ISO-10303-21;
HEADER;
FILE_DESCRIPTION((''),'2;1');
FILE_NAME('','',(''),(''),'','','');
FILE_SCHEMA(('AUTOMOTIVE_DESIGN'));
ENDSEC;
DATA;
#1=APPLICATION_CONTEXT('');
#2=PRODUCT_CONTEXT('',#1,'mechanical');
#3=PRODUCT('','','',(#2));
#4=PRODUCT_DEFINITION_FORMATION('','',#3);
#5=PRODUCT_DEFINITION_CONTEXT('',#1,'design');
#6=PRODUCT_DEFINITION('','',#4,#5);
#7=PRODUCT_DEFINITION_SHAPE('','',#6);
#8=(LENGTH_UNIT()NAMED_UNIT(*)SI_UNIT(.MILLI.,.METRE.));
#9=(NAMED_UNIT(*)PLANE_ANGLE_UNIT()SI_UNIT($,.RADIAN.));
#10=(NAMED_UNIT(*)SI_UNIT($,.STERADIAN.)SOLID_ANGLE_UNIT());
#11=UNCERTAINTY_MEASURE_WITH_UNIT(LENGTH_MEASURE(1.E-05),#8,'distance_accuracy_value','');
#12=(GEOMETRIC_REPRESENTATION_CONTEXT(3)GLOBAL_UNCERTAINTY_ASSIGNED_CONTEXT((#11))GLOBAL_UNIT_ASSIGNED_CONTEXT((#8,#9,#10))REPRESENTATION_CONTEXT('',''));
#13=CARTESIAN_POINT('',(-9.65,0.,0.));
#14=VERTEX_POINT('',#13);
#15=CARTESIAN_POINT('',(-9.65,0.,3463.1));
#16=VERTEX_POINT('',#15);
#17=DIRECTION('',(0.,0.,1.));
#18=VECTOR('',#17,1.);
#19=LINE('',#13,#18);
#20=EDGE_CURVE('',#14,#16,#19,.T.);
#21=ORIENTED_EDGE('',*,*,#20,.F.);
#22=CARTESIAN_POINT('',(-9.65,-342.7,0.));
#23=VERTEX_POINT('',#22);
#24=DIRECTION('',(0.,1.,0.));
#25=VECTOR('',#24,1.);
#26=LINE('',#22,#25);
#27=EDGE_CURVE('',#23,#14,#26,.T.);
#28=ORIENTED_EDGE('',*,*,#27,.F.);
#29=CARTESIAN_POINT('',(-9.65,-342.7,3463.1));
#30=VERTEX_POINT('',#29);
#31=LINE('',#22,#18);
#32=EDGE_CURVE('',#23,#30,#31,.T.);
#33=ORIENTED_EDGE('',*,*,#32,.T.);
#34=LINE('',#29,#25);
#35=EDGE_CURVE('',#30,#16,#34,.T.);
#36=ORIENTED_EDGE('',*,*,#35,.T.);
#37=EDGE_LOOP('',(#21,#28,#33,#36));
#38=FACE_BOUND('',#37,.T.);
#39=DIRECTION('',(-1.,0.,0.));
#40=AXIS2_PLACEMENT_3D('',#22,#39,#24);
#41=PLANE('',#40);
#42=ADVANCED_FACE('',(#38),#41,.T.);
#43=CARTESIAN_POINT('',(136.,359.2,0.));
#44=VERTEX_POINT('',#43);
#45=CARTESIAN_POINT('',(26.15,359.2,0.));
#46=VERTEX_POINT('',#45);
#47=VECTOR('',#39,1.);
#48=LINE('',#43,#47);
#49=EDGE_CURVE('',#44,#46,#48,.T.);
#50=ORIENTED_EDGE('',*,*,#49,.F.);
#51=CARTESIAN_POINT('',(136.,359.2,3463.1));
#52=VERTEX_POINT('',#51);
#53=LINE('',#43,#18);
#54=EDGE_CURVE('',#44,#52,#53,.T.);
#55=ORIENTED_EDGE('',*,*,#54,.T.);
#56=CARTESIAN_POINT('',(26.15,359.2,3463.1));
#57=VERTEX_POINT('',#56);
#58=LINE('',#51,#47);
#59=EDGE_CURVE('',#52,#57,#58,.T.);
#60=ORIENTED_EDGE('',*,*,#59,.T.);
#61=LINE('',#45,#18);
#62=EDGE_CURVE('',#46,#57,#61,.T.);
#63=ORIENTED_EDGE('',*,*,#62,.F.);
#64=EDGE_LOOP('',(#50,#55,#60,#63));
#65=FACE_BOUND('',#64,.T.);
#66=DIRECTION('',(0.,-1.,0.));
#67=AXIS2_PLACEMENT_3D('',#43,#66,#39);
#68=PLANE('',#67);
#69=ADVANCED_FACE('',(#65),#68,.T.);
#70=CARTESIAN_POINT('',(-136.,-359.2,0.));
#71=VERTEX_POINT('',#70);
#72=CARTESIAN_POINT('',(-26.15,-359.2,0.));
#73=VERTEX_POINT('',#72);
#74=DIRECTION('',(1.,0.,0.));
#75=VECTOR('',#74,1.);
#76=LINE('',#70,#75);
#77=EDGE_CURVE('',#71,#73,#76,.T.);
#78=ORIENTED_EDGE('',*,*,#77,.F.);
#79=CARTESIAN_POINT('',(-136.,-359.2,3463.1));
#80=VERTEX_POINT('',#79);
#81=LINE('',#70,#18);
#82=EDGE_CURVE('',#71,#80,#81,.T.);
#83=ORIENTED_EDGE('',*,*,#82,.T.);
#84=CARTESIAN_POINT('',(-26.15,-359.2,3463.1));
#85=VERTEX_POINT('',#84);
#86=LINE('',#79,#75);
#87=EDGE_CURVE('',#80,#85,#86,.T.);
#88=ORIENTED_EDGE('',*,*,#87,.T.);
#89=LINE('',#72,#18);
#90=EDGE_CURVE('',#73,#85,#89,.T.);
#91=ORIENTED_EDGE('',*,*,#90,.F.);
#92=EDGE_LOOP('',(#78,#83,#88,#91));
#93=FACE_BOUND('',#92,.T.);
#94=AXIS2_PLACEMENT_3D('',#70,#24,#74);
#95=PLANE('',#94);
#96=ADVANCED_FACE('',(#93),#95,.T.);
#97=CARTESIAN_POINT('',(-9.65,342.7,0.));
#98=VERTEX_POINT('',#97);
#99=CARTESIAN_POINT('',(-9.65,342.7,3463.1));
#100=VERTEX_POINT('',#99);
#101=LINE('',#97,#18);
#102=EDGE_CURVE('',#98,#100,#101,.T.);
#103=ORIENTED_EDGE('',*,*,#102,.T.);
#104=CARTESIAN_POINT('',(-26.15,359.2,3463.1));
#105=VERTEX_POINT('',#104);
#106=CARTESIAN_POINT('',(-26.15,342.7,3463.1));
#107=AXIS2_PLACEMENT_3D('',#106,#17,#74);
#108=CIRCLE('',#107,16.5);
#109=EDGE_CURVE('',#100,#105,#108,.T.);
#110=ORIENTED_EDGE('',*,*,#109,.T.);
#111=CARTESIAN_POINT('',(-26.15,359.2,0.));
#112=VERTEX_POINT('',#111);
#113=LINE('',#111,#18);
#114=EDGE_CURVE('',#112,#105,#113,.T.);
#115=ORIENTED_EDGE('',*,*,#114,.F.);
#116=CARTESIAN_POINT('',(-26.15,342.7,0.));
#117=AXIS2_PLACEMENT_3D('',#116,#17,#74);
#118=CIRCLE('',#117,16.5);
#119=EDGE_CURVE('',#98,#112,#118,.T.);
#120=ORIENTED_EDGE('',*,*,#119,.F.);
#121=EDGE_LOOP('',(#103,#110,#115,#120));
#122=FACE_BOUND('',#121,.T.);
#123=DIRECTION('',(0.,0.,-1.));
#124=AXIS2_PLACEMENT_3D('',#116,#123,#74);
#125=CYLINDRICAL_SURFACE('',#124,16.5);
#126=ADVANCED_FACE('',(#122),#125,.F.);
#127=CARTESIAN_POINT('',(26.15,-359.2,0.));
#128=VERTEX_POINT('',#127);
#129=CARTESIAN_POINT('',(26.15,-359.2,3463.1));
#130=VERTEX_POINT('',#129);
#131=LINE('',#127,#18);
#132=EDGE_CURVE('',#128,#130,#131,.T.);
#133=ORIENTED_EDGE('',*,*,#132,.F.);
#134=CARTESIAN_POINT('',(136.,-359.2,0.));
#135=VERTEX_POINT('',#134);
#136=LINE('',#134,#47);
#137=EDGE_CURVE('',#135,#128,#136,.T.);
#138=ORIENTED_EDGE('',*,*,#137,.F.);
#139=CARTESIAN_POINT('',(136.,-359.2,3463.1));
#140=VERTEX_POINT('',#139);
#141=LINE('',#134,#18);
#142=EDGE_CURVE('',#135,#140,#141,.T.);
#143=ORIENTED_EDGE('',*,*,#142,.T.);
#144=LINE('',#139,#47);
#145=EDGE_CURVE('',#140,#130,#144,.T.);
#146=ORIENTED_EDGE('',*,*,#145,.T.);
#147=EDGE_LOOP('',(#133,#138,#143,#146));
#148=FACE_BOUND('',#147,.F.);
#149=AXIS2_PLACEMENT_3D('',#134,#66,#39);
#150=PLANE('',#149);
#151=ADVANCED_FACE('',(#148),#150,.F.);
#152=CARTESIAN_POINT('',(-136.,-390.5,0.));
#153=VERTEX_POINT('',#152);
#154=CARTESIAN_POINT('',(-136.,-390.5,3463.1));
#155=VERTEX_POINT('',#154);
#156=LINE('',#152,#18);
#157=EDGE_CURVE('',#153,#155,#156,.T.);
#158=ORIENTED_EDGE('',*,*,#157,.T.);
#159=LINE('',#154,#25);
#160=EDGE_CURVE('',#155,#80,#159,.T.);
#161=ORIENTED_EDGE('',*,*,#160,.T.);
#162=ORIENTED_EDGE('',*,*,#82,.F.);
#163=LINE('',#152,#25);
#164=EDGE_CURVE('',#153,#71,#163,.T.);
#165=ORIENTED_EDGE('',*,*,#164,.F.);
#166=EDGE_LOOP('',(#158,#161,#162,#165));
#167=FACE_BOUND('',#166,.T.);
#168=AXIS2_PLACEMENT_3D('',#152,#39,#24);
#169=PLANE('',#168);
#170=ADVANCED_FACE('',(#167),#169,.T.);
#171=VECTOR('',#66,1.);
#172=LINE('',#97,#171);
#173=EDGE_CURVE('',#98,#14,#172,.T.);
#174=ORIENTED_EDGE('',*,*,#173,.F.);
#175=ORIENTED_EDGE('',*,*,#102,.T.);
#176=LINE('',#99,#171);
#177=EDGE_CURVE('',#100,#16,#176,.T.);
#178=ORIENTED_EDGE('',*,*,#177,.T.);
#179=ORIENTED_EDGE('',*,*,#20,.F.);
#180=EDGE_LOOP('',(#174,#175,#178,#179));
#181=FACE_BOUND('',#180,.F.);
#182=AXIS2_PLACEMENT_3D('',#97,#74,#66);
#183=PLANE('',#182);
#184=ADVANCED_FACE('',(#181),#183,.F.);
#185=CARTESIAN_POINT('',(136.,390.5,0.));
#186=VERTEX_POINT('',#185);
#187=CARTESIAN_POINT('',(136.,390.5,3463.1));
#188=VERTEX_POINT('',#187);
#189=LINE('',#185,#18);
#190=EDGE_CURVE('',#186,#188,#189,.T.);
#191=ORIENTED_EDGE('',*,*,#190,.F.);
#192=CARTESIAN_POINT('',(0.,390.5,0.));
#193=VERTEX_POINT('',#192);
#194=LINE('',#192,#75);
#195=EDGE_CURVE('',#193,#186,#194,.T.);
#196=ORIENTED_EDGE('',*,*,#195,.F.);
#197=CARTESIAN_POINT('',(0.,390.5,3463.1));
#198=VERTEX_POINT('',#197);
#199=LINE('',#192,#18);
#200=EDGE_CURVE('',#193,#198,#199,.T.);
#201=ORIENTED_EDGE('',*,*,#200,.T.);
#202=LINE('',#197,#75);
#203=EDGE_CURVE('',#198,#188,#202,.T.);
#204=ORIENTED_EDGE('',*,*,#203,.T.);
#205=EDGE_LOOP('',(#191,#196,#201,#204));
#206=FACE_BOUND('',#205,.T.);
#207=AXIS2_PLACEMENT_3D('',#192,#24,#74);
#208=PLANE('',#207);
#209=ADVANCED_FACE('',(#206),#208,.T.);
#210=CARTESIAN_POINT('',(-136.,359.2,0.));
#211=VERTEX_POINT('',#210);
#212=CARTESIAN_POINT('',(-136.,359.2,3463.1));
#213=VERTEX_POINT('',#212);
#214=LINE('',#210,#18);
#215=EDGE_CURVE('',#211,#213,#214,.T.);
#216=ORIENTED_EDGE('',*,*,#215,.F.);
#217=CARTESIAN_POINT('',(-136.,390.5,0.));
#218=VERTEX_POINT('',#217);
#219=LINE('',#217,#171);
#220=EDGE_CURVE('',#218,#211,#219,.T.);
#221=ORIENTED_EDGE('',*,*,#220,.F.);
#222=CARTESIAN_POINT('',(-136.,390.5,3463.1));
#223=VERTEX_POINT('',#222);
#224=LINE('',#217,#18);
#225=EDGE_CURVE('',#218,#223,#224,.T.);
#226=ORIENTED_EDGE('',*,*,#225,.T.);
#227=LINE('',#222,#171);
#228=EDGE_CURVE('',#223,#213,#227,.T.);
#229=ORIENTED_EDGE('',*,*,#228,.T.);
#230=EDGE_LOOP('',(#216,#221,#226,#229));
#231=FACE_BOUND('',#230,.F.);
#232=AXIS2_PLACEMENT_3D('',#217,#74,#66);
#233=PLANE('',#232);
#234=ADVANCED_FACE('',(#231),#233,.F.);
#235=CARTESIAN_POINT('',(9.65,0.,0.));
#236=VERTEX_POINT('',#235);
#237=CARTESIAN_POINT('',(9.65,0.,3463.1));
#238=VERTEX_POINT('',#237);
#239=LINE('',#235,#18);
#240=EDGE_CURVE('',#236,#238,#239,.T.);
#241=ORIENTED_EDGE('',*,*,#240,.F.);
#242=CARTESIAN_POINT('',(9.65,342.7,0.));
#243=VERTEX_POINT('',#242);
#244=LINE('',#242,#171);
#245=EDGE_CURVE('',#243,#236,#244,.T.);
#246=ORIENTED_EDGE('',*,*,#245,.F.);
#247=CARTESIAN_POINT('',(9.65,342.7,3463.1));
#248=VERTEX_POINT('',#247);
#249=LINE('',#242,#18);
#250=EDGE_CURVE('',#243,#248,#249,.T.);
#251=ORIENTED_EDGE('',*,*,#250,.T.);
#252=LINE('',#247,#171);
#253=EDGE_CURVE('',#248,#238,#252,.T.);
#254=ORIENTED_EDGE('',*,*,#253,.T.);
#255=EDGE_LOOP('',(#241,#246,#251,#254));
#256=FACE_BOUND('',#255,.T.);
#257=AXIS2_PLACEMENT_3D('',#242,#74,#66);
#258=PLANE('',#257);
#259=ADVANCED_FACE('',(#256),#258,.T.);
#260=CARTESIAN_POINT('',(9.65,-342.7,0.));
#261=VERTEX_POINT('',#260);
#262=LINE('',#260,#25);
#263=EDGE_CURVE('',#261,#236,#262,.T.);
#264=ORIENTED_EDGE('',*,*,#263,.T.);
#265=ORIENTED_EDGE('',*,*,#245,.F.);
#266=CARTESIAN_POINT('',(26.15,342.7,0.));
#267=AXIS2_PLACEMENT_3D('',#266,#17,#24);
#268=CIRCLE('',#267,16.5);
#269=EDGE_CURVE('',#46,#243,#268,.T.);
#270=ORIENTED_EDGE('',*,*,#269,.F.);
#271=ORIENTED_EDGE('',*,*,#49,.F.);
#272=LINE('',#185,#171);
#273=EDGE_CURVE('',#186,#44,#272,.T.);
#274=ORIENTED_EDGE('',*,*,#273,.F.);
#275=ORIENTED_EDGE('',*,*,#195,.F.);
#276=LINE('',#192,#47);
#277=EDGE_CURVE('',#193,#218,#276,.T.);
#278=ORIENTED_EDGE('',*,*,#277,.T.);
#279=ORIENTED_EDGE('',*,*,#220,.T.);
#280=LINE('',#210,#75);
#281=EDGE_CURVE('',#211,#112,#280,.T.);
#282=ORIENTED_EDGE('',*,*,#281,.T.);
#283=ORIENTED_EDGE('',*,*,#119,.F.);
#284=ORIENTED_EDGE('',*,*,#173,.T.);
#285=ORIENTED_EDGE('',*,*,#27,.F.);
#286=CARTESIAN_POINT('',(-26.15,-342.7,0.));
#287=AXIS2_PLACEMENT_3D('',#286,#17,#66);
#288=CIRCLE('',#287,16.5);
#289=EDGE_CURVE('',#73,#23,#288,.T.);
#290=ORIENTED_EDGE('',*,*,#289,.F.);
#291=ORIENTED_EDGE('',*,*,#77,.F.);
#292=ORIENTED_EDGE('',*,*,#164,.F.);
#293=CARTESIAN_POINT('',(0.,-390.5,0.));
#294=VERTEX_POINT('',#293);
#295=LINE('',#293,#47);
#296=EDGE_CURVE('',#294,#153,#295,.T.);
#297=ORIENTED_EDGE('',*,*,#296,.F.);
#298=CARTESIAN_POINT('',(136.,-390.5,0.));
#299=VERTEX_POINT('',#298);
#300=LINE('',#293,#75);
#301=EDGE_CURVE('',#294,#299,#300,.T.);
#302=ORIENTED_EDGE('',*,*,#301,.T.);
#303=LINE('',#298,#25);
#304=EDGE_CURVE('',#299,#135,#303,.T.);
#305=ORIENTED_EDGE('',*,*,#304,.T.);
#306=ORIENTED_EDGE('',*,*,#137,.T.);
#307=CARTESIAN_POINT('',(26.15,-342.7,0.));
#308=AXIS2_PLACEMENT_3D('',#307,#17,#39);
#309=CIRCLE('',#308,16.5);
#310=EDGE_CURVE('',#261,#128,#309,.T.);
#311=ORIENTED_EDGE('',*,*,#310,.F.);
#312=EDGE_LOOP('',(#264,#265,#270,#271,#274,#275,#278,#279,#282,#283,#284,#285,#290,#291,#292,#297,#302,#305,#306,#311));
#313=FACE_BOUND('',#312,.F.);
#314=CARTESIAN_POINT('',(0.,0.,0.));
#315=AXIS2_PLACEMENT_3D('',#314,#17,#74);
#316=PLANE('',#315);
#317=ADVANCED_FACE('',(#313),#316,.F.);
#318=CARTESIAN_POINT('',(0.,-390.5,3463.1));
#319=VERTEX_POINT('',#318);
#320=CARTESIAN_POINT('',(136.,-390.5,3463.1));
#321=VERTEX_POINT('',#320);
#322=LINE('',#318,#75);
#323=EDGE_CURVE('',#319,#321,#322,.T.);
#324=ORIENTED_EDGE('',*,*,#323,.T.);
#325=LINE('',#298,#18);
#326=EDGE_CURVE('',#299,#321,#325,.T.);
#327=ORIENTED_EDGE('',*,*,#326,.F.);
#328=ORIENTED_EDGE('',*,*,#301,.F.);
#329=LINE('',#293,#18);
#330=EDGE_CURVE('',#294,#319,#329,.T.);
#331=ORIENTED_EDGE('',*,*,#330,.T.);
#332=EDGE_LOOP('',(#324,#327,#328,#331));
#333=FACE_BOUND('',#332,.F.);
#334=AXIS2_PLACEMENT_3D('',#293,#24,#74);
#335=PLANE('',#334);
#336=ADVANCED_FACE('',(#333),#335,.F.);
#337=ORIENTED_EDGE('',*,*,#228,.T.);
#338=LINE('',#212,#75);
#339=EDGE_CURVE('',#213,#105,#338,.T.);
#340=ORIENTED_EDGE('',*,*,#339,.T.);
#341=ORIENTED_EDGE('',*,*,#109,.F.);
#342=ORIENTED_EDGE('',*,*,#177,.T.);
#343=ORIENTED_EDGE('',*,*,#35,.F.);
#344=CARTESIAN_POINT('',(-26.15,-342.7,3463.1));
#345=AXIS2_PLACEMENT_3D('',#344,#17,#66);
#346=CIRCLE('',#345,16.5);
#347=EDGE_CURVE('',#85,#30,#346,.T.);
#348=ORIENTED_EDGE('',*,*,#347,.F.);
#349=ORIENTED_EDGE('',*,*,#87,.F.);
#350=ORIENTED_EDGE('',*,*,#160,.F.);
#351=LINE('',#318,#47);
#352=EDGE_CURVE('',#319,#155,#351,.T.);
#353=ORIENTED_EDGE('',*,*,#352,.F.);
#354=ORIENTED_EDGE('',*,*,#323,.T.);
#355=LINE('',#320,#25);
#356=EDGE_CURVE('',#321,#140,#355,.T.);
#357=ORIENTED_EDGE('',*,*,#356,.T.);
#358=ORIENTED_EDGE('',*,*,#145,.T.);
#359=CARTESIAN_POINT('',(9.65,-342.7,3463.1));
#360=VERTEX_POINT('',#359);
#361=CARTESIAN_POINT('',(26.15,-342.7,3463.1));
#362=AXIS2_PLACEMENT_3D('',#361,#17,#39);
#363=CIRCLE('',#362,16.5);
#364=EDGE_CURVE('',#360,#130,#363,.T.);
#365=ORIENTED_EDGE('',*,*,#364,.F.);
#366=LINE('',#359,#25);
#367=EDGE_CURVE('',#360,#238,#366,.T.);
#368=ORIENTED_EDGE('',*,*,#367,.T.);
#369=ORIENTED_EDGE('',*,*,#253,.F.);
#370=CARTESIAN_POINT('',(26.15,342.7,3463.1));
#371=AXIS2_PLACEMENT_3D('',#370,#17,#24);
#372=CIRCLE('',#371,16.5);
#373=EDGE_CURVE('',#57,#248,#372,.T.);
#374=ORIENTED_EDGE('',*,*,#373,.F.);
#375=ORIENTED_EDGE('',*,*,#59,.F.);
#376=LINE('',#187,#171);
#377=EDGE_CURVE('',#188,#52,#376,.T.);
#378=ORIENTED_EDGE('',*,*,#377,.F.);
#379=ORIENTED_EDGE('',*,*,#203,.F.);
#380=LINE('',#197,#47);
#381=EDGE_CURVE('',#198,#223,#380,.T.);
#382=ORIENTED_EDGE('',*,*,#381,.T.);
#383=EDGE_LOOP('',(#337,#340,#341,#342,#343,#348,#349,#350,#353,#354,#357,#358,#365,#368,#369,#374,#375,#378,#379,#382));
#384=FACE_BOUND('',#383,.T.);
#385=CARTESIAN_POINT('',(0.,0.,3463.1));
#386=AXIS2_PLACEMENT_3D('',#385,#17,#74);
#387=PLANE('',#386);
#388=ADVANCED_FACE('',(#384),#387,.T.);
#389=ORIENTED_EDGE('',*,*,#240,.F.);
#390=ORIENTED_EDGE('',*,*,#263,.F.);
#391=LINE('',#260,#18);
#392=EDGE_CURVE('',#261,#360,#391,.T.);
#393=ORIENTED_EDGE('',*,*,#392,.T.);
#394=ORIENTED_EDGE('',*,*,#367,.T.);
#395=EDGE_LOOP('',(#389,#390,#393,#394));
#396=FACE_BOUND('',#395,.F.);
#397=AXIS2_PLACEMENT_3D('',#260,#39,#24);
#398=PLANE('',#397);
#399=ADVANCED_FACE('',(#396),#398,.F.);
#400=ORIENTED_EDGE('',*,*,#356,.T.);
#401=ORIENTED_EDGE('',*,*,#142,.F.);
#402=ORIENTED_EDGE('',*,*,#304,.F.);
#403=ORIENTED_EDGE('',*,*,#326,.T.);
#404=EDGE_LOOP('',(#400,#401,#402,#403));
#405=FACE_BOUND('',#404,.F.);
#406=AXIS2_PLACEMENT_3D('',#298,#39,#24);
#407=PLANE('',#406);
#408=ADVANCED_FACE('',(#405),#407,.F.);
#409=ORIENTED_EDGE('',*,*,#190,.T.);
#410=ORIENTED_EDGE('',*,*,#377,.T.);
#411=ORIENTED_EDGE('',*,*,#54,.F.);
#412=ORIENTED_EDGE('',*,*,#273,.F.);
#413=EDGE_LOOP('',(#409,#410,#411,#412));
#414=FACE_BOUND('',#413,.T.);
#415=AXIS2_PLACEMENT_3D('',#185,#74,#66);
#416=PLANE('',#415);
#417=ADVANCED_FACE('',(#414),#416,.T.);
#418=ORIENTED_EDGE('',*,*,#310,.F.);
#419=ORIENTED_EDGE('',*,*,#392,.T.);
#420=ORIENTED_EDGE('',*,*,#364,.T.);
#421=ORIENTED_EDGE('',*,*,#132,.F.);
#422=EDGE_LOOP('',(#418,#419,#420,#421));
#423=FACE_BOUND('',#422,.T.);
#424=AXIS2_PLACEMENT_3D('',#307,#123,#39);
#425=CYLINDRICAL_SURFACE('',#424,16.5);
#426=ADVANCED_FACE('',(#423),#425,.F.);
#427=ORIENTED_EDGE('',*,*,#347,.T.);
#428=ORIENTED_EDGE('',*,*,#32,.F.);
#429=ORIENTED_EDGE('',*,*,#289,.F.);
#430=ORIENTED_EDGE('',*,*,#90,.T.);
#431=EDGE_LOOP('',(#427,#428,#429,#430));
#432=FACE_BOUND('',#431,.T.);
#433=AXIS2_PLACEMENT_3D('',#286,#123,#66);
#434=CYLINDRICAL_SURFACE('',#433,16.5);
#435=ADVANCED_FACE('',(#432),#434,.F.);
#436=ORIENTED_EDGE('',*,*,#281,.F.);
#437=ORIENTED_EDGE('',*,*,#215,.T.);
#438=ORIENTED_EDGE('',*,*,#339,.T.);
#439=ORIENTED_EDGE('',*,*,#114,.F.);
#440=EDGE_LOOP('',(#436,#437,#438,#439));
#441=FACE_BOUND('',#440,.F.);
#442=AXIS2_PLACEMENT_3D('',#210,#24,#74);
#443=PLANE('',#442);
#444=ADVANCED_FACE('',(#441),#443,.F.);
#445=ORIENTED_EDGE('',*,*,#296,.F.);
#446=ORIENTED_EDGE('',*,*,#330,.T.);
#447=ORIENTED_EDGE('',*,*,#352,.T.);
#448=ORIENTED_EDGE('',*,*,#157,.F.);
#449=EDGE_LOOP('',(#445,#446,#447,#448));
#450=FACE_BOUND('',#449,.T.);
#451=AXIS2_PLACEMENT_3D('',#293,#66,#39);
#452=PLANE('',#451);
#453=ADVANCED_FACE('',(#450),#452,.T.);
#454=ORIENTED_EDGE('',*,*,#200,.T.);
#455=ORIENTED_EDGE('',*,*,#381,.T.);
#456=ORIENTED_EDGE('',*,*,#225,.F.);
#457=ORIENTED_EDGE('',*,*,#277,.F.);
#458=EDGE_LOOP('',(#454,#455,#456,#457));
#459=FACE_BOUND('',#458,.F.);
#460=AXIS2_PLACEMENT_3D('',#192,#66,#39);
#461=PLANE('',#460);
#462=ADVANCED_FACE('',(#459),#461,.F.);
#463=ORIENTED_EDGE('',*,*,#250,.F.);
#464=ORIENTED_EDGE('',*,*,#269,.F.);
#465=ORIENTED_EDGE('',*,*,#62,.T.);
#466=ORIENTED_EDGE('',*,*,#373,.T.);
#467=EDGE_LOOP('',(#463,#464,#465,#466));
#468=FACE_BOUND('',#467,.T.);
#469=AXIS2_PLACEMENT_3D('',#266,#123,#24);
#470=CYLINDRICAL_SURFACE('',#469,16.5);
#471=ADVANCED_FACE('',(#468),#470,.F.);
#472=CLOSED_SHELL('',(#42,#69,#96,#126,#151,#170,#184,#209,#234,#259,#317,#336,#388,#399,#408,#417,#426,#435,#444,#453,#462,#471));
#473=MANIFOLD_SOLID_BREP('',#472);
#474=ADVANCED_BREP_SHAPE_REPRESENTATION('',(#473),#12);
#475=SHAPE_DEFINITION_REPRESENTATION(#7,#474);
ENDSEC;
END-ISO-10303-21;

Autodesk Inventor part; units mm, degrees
ref_plane "YZ Plane" through (0, 0, 0) normal (1, 0, 0) x (0, 1, 0)
ref_plane "Start plane" through (0, 0, 0) normal (0, 0, 1) x (1, 0, 0)
ref_plane "End plane" through (0, 0, 3463.1) normal (0, 0, 1) x (1, 0, 0)
sketch "Sketch" plane through (0, 0, 0) normal (0, 0, 1) x (1, 0, 0)
  line L0 (-136, -390.5) -> (-136, -359.2)
  line L1 (-136, -359.2) -> (-26.15, -359.2)
  line L2 (-9.65, -342.7) -> (-9.65, 0)
  line L3 (-9.65, 0) -> (0, 0) construction
  line L4 (0, 0) -> (0, -390.5) construction
  line L5 (0, -390.5) -> (-136, -390.5)
  line L6 (-60, 0) -> (80, 0) construction
  line L7 (0, -60) -> (0, 80) construction
  line L8 (136, -390.5) -> (136, -359.2)
  line L9 (136, -359.2) -> (26.15, -359.2)
  line L10 (9.65, -342.7) -> (9.65, 0)
  line L11 (9.65, 0) -> (0, 0) construction
  line L12 (0, -390.5) -> (136, -390.5)
  line L13 (-136, 390.5) -> (-136, 359.2)
  line L14 (-136, 359.2) -> (-26.15, 359.2)
  line L15 (-9.65, 342.7) -> (-9.65, 0)
  line L16 (0, 390.5) -> (-136, 390.5)
  line L17 (136, 390.5) -> (136, 359.2)
  line L18 (136, 359.2) -> (26.15, 359.2)
  line L19 (0, 390.5) -> (136, 390.5)
  line L20 (9.65, 342.7) -> (9.65, 0)
  arc A0 (-9.65, 342.7) -> (-26.15, 359.2) centre (-26.15, 342.7) ccw
  arc A1 (26.15, 359.2) -> (9.65, 342.7) centre (26.15, 342.7) ccw
  arc A2 (9.65, -342.7) -> (26.15, -359.2) centre (26.15, -342.7) ccw
  arc A3 (-26.15, -359.2) -> (-9.65, -342.7) centre (-26.15, -342.7) ccw
  line L21 (0, 108) -> (0, -88) construction
  line L22 (-88, 0) -> (108, 0) construction
  point P0 (-9.65, -359.2)
  point P1 (9.65, -359.2)
  point P2 (-9.65, 359.2)
  point P3 (9.65, 359.2)
  dimension "d1" = 390.5
  dimension "d2" = 31.3
  dimension "d3" = 136
  dimension "d4" = 9.65
  dimension "d10" = 16.5
extrude "Body" add sketch "Sketch" along normal up to surface (3463.1 mm away) from surface at 0
sketch "Sketch4" plane through (0, 0, 0) normal (0, 0, 1) x (1, 0, 0)
  line L0 (0, 0) -> (10, 0)
ref_plane "Work Plane3" through (0, 0, 0) normal (0, -1, 0) x (1, 0, 0)
sketch "Sketch5" plane through (0, 0, 0) normal (0, -1, 0) x (1, 0, 0)
  line L0 (-2, 0) -> (12, 0) projected
  line L1 (-2, 3463.1) -> (12, 3463.1) projected
  dimension "d14" = 3463.1
equation "\"d1\" = 0.5 * G_H"
equation "\"d2\" = G_T1"
equation "\"d3\" = 0.5 * G_W"
equation "\"d4\" = 0.5 * G_T"
equation "\"d10\" = G_IR"
equation "\"d5\" = G_L"
equation "\"G_W\" = 272"
equation "\"G_H\" = 781"
equation "\"G_T\" = 19.3"
equation "\"G_T1\" = 31.3"
equation "\"G_IR\" = 16.5"
equation "\"G_L\" = d14"
equation "\"G_OFFSET_START\" = 0"
equation "\"G_OFFSET_END\" = 0"
equation "\"d12\" = G_OFFSET_END + B_L"
equation "\"B_L\" = 3463.1"
properties part number "AS 3679-1990 - 760 UB - 244 - 3463.1" material "Steel, Mild"
